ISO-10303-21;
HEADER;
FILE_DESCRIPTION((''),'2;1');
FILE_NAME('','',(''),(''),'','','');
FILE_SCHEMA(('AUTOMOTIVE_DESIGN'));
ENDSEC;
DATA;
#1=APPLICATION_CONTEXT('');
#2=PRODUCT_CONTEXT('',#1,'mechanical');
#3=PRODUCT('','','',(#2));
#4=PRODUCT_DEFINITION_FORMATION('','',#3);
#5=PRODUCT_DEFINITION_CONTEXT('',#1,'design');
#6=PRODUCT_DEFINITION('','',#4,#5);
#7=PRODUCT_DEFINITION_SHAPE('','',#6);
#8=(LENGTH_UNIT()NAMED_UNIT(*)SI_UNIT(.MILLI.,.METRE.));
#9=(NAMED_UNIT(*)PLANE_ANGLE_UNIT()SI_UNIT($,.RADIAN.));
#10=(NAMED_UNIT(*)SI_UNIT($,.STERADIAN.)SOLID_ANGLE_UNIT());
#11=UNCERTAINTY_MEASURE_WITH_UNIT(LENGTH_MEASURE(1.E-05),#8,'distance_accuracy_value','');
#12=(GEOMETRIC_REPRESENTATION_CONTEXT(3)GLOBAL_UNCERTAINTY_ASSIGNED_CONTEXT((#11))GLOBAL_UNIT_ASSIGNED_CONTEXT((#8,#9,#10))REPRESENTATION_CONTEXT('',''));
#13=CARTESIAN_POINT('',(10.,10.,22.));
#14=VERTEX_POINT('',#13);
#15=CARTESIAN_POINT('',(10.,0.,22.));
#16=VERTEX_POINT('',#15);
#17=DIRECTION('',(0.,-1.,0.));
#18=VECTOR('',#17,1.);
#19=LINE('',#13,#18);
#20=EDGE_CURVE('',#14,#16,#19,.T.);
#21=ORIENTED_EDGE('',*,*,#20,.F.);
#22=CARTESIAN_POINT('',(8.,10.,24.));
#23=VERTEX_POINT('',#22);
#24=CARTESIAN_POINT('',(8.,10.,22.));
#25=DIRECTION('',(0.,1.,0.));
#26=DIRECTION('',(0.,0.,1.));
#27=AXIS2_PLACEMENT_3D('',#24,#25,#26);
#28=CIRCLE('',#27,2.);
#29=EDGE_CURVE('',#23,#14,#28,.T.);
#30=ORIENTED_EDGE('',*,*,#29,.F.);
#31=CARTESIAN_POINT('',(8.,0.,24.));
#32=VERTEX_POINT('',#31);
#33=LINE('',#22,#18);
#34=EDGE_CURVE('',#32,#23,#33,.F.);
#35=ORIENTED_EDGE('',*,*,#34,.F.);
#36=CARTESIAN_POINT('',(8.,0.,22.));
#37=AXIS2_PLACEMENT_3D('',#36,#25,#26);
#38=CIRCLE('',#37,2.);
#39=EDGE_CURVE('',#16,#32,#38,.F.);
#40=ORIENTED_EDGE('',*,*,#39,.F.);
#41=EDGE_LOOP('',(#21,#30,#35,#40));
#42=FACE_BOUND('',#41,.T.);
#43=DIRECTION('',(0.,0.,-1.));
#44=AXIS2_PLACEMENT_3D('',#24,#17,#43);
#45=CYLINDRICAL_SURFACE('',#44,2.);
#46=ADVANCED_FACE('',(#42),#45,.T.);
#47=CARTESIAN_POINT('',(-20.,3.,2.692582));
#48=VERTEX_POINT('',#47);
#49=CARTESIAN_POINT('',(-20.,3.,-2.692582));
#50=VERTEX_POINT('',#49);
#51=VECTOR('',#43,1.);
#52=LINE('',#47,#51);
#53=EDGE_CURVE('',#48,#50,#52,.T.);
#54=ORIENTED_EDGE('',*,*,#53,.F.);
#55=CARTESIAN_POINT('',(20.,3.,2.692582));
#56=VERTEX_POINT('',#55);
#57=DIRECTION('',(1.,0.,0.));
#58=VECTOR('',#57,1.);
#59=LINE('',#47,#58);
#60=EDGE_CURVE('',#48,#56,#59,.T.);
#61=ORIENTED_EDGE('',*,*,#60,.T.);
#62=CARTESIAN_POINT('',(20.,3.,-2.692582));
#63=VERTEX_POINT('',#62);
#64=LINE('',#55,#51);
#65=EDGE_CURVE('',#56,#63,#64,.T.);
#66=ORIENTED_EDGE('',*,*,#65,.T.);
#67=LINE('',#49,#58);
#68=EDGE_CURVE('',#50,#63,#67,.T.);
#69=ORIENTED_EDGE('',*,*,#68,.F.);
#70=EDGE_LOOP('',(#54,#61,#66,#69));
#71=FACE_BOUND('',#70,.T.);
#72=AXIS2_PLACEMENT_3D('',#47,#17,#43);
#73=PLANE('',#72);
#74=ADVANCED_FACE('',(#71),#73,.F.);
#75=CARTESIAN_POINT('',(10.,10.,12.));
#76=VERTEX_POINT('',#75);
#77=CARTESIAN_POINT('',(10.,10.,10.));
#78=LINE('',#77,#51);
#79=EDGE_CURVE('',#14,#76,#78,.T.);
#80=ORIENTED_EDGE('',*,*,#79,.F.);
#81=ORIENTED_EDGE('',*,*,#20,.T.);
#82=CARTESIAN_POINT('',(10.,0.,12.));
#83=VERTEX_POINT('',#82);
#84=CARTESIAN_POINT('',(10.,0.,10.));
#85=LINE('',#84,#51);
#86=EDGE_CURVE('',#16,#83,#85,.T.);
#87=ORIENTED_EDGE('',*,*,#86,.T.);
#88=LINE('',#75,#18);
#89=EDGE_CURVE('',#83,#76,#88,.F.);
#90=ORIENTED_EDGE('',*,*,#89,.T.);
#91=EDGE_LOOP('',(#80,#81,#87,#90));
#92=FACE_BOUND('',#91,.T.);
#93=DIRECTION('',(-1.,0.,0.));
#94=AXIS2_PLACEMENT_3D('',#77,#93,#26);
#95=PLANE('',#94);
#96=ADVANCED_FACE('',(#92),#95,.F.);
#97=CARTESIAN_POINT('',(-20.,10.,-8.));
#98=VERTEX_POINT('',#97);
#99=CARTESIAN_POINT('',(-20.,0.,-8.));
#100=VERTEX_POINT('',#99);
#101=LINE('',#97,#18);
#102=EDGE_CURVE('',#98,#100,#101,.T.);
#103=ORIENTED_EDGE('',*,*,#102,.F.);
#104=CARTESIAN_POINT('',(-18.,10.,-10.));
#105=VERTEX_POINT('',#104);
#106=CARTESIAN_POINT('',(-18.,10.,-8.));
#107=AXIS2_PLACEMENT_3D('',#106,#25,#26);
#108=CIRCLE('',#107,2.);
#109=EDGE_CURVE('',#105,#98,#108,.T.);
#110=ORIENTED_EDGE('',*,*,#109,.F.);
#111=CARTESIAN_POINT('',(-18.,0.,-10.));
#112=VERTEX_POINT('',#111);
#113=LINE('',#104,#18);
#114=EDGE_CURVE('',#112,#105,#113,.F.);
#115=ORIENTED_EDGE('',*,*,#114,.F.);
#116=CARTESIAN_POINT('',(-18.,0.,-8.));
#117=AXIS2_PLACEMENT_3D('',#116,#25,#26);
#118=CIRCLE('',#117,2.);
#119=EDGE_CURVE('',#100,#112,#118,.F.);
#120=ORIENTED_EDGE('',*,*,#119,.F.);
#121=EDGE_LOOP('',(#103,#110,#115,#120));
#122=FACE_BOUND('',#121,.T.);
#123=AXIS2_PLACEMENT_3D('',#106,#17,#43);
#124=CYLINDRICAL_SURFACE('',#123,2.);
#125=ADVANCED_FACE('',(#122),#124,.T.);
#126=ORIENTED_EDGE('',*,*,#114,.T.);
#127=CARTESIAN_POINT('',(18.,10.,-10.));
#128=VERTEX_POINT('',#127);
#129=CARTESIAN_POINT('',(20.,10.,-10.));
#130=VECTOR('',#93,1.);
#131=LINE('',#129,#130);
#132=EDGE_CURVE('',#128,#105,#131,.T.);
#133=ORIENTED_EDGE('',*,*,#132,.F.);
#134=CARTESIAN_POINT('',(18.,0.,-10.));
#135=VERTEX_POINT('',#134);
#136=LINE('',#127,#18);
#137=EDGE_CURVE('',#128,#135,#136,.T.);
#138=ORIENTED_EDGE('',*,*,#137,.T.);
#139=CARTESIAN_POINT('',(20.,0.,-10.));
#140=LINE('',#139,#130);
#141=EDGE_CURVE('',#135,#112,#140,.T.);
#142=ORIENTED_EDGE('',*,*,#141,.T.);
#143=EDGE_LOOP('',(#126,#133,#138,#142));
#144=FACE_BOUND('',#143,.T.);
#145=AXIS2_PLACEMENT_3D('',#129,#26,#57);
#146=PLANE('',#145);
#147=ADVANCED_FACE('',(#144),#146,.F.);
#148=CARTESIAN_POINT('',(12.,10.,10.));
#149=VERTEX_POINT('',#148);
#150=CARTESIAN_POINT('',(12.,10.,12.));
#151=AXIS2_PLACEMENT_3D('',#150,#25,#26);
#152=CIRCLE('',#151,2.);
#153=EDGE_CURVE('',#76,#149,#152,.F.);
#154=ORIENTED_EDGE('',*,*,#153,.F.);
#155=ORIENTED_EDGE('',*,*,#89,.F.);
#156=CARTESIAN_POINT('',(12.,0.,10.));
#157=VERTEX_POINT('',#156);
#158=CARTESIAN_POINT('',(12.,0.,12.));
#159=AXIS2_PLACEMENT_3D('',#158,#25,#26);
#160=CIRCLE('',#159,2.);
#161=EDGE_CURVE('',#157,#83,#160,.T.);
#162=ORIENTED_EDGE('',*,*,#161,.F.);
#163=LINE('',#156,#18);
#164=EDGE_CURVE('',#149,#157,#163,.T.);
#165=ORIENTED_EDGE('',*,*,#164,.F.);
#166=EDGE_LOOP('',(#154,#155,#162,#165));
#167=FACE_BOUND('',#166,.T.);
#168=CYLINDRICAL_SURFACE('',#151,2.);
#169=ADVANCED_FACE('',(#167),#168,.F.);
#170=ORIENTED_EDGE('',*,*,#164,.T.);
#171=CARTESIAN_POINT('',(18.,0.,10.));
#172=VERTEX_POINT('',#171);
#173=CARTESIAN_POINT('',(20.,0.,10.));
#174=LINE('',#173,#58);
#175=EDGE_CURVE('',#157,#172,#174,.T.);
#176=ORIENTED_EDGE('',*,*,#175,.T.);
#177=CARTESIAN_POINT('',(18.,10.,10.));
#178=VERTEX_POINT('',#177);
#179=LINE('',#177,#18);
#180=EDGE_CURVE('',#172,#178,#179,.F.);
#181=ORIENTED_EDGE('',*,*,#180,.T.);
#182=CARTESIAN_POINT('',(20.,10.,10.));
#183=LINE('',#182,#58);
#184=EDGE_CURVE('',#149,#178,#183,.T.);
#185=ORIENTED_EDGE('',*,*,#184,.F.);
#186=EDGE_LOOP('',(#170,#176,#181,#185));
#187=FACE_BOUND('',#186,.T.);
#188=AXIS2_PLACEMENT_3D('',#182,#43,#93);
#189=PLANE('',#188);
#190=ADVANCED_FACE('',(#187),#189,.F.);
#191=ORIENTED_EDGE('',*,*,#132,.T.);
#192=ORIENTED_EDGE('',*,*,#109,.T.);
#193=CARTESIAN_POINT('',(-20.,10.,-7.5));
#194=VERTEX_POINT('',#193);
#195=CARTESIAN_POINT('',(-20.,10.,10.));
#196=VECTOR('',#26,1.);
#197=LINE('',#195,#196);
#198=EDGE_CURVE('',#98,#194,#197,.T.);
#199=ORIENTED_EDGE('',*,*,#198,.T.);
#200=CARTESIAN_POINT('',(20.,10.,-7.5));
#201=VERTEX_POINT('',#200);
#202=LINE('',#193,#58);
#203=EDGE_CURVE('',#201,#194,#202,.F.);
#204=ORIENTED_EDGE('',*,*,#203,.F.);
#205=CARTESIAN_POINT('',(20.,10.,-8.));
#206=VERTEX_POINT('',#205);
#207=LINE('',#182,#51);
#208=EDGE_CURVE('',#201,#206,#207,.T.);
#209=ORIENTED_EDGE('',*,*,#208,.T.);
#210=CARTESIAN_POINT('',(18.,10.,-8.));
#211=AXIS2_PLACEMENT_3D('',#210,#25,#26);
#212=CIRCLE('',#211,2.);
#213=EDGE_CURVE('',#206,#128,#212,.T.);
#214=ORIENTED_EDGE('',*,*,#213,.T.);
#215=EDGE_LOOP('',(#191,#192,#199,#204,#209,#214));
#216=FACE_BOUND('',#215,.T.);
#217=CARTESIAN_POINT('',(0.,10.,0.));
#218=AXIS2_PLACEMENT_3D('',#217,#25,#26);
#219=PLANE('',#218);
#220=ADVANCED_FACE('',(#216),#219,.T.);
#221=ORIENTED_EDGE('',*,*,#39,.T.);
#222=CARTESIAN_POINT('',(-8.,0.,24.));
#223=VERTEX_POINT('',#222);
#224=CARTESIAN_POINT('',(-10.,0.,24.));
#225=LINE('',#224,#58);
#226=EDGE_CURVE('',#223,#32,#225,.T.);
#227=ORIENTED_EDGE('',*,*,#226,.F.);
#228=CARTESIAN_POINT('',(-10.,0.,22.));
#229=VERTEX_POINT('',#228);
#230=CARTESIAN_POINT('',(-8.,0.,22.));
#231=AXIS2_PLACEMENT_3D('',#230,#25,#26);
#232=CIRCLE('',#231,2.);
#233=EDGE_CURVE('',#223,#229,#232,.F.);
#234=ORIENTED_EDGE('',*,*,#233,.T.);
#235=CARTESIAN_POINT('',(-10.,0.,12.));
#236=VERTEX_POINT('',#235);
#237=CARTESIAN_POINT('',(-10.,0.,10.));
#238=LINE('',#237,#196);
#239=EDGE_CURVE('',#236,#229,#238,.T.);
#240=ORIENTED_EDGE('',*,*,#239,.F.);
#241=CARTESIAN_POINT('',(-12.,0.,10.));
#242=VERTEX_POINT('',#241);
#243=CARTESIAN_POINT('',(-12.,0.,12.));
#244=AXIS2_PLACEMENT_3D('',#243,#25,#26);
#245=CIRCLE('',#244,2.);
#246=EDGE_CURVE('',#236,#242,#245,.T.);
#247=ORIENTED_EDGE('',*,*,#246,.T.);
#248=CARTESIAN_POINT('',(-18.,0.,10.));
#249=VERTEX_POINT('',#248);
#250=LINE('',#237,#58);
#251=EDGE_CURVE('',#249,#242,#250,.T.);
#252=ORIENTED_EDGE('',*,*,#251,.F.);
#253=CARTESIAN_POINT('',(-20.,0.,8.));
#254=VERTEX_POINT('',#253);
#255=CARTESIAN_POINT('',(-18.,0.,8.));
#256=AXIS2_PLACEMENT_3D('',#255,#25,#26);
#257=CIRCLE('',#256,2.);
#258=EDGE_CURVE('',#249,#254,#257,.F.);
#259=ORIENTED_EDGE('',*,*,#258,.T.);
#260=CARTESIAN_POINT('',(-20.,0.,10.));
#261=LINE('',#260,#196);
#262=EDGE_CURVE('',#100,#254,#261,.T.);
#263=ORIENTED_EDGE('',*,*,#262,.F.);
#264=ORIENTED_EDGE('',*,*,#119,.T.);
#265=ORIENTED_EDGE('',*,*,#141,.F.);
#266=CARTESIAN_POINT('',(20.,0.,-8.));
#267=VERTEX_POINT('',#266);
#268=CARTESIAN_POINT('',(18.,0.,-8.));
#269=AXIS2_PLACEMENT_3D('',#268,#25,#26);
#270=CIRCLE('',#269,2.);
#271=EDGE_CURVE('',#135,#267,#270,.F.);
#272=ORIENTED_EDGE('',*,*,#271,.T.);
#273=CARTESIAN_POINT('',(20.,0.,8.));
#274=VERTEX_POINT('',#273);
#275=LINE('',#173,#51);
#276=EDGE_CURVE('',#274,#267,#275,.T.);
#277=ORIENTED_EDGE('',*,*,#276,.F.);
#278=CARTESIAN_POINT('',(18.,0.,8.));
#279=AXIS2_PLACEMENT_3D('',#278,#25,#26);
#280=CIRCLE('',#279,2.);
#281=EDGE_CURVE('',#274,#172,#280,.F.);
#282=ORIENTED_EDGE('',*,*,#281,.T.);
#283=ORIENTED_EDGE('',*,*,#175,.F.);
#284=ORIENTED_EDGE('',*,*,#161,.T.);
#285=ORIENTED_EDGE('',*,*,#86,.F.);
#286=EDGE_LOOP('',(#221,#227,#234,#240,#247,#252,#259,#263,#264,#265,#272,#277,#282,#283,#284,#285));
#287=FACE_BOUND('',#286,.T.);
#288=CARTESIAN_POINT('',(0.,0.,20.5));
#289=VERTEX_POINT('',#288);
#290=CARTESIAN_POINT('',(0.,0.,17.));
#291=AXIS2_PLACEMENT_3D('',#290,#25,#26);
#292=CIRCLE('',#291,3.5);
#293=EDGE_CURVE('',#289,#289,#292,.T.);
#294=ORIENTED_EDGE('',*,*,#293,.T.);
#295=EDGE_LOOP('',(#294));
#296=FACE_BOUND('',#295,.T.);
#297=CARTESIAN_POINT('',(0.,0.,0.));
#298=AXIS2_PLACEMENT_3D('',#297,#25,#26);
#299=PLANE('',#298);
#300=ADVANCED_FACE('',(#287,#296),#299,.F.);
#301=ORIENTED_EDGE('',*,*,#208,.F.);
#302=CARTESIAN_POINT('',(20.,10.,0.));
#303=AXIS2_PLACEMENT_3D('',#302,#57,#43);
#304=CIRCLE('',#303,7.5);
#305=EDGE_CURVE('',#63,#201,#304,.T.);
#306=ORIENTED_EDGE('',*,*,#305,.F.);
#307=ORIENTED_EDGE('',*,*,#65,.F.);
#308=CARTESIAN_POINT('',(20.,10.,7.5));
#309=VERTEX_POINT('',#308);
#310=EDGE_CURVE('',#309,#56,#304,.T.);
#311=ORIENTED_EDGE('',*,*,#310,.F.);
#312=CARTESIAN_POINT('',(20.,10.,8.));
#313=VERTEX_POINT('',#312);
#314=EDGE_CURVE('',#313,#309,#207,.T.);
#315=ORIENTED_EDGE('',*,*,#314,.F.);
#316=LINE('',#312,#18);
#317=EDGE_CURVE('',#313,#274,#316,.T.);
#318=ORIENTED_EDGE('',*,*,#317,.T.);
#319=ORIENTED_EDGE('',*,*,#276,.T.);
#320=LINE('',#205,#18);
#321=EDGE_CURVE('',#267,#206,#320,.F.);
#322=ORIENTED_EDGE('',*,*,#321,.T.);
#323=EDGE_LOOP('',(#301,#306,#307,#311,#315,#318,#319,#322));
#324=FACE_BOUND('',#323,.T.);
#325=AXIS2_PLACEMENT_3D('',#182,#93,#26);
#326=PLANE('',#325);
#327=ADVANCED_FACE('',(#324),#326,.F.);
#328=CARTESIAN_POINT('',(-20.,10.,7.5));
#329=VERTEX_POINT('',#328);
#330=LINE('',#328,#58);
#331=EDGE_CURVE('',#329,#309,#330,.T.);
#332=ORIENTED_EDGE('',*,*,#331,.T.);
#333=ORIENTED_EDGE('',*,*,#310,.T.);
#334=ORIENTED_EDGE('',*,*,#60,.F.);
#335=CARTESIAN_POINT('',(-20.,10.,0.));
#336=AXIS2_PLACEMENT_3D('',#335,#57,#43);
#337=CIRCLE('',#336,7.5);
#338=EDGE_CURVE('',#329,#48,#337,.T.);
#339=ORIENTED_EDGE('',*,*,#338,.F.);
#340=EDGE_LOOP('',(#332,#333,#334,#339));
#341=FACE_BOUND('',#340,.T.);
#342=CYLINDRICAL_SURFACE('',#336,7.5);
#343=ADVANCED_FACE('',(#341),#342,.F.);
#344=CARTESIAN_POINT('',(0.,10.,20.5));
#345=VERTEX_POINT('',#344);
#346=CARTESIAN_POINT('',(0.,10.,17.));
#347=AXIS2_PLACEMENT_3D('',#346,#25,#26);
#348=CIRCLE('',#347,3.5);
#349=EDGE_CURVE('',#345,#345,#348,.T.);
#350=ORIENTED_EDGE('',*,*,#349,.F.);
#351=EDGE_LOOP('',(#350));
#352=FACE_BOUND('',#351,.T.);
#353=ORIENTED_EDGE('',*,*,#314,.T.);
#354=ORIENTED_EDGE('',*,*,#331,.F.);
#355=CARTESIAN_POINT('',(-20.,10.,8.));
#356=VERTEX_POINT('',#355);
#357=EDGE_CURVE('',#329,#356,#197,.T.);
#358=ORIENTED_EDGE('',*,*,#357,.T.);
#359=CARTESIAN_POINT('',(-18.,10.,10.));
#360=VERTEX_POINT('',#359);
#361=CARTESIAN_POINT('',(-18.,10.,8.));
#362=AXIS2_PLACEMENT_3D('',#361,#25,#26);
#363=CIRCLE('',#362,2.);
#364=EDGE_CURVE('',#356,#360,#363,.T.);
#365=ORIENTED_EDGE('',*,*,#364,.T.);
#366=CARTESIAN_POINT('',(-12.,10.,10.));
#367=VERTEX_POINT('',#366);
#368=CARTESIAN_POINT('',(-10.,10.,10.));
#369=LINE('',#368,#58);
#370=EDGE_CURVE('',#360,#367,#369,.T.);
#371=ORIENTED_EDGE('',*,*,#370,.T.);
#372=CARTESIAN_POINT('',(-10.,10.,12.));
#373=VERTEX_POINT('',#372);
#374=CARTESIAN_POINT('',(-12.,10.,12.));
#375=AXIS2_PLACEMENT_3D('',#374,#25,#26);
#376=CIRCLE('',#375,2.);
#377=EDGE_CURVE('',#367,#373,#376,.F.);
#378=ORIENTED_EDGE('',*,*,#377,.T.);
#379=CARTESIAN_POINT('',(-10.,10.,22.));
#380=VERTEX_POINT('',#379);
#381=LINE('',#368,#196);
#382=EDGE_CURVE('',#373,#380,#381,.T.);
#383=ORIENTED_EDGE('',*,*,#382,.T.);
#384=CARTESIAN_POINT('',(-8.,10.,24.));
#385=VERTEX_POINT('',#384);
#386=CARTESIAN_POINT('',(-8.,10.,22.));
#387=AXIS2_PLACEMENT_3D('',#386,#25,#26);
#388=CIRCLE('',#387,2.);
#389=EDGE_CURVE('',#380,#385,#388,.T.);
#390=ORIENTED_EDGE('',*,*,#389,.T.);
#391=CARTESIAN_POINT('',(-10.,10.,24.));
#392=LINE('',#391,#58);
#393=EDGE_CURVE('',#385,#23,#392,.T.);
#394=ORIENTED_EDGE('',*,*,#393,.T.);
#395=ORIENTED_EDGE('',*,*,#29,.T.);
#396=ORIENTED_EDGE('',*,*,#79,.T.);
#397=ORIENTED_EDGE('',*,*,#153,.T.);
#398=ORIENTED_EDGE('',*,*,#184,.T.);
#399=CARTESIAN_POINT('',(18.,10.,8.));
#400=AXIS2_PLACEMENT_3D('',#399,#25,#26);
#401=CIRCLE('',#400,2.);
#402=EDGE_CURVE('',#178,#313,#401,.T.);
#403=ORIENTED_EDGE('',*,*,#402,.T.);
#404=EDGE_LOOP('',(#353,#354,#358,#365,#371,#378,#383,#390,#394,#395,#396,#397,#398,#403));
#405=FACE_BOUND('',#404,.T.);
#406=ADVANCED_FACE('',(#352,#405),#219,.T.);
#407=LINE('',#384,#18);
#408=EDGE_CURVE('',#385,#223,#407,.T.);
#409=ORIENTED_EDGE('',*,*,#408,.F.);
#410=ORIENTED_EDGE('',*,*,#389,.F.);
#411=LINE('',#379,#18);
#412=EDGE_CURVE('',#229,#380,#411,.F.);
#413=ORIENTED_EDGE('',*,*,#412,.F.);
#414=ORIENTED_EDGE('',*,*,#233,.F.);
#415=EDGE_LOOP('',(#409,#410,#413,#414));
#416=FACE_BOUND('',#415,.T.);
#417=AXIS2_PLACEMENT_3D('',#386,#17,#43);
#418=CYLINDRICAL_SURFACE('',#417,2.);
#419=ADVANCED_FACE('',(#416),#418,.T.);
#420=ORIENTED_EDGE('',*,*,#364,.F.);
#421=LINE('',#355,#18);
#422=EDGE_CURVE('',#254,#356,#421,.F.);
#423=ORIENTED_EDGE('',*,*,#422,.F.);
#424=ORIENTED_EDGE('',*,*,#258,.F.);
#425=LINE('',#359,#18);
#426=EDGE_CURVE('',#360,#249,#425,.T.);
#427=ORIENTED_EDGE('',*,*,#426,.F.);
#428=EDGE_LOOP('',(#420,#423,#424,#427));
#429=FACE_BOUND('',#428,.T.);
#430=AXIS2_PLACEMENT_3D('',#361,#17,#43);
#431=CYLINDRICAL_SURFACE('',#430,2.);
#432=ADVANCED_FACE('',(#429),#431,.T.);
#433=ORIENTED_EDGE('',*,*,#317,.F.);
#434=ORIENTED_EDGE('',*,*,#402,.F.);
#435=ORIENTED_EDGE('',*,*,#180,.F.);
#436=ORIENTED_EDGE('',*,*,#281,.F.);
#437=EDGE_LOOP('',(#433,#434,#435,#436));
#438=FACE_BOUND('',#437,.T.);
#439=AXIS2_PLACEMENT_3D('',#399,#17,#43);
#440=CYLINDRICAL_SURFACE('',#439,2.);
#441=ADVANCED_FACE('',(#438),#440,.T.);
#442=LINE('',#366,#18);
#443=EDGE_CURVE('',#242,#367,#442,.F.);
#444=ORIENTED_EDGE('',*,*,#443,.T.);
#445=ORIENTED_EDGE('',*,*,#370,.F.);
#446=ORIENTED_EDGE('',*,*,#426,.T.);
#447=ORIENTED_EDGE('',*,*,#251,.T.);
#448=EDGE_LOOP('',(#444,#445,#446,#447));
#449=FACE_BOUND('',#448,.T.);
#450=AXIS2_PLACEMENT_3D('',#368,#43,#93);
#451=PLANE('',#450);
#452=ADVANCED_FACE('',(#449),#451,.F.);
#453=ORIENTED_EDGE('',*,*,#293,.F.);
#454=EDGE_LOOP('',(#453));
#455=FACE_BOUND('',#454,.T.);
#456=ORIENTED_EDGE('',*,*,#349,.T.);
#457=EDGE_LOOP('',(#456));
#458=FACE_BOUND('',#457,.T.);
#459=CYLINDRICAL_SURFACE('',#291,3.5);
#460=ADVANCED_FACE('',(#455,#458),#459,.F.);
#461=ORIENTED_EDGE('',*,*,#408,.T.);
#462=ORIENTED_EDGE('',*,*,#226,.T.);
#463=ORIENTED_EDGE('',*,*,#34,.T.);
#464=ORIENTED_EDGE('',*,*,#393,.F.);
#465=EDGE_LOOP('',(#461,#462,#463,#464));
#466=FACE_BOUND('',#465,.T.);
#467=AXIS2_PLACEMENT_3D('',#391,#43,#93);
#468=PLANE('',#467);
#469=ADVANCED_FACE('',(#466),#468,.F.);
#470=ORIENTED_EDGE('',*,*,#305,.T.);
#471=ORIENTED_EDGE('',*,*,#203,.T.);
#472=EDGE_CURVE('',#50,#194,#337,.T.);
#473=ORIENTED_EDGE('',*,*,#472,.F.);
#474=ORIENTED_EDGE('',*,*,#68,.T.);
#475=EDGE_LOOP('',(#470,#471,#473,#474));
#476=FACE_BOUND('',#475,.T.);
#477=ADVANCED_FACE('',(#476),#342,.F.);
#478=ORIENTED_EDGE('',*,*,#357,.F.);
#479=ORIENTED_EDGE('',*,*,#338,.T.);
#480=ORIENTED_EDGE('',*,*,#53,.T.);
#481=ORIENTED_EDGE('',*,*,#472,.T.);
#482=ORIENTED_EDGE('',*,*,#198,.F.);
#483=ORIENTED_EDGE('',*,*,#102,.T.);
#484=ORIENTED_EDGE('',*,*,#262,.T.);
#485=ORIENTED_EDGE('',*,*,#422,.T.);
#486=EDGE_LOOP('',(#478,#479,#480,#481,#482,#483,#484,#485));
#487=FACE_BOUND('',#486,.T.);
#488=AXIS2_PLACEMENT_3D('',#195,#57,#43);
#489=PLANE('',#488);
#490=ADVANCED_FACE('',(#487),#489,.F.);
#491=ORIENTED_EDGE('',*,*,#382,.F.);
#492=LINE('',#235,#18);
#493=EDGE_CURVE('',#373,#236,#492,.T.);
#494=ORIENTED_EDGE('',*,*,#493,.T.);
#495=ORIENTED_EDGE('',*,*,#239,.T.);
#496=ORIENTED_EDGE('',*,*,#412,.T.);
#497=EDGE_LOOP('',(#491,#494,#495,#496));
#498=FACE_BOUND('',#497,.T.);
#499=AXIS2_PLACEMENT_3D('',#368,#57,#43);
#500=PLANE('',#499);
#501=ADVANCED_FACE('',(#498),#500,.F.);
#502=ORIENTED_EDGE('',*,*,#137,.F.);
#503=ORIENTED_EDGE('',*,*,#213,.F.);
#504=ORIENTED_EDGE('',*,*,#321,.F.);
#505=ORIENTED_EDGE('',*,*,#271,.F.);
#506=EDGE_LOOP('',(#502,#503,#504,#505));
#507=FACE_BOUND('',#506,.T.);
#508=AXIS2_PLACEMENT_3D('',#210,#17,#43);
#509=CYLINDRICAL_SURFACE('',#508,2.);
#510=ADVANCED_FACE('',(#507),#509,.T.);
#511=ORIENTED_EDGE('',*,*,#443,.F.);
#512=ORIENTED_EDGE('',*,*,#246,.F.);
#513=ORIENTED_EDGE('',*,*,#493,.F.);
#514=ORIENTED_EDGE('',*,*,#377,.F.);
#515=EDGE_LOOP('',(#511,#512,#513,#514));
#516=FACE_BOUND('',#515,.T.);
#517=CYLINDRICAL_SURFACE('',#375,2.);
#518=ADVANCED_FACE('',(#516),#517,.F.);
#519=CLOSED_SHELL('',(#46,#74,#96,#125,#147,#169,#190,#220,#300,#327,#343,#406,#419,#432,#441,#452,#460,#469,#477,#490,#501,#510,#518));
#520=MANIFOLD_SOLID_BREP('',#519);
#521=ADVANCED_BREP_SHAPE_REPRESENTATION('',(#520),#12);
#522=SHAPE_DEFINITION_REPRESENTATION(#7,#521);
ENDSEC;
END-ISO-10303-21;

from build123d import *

# Parameters (mm, degrees)
BOSS_EXTRUDE1_DEPTH = 10
SKETCH2_R           = 3.5
CUT_EXTRUDE1_DEPTH  = 10
CUT_EXTRUDE2_DEPTH  = 48.707441768
FILLET1_R           = 2


with BuildPart() as part:
    # Sketch1 → Boss-Extrude1 (new body)
    with BuildSketch(Plane(origin=(0, 0, 0), x_dir=(1, 0, 0), z_dir=(0, 1, 0))):
        Polygon((-10, -10), (-20, -10), (-20, 10), (20, 10), (20, -10), (10, -10), (10, -24), (-10, -24), align=None)
    extrude(amount=BOSS_EXTRUDE1_DEPTH)

    # Sketch2 → Cut-Extrude1 (cut)
    with BuildSketch(Plane(origin=(0, 10, 0), x_dir=(1, 0, 0), z_dir=(0, 1, 0))):
        with Locations(Location((0, -17, 0), (0, 0, 270))):
            Circle(SKETCH2_R)
    extrude(amount=-CUT_EXTRUDE1_DEPTH, mode=Mode.SUBTRACT)

    # Sketch3 → Cut-Extrude2 (cut, through all)
    with BuildSketch(Plane(origin=(20, 0, 0), x_dir=(0, 0, -1), z_dir=(1, 0, 0))):
        with BuildLine():
            Line((-2.692582404, 3), (2.692582404, 3))
            ThreePointArc((2.692582404, 3), (0, 17.5), (-2.692582404, 3))
        make_face()
    extrude(amount=-CUT_EXTRUDE2_DEPTH, mode=Mode.SUBTRACT)

    # Fillet1
    fillet1_edges = [part.edges().sort_by_distance(p)[0] for p in [
        (-20, 5, -10),
        (20, 5, -10),
        (20, 5, 10),
        (10, 5, 10),
        (10, 5, 24),
        (-10, 5, 24),
        (-10, 5, 10),
        (-20, 5, 10),
    ]]
    fillet(fillet1_edges, radius=FILLET1_R)


solid = part.part
